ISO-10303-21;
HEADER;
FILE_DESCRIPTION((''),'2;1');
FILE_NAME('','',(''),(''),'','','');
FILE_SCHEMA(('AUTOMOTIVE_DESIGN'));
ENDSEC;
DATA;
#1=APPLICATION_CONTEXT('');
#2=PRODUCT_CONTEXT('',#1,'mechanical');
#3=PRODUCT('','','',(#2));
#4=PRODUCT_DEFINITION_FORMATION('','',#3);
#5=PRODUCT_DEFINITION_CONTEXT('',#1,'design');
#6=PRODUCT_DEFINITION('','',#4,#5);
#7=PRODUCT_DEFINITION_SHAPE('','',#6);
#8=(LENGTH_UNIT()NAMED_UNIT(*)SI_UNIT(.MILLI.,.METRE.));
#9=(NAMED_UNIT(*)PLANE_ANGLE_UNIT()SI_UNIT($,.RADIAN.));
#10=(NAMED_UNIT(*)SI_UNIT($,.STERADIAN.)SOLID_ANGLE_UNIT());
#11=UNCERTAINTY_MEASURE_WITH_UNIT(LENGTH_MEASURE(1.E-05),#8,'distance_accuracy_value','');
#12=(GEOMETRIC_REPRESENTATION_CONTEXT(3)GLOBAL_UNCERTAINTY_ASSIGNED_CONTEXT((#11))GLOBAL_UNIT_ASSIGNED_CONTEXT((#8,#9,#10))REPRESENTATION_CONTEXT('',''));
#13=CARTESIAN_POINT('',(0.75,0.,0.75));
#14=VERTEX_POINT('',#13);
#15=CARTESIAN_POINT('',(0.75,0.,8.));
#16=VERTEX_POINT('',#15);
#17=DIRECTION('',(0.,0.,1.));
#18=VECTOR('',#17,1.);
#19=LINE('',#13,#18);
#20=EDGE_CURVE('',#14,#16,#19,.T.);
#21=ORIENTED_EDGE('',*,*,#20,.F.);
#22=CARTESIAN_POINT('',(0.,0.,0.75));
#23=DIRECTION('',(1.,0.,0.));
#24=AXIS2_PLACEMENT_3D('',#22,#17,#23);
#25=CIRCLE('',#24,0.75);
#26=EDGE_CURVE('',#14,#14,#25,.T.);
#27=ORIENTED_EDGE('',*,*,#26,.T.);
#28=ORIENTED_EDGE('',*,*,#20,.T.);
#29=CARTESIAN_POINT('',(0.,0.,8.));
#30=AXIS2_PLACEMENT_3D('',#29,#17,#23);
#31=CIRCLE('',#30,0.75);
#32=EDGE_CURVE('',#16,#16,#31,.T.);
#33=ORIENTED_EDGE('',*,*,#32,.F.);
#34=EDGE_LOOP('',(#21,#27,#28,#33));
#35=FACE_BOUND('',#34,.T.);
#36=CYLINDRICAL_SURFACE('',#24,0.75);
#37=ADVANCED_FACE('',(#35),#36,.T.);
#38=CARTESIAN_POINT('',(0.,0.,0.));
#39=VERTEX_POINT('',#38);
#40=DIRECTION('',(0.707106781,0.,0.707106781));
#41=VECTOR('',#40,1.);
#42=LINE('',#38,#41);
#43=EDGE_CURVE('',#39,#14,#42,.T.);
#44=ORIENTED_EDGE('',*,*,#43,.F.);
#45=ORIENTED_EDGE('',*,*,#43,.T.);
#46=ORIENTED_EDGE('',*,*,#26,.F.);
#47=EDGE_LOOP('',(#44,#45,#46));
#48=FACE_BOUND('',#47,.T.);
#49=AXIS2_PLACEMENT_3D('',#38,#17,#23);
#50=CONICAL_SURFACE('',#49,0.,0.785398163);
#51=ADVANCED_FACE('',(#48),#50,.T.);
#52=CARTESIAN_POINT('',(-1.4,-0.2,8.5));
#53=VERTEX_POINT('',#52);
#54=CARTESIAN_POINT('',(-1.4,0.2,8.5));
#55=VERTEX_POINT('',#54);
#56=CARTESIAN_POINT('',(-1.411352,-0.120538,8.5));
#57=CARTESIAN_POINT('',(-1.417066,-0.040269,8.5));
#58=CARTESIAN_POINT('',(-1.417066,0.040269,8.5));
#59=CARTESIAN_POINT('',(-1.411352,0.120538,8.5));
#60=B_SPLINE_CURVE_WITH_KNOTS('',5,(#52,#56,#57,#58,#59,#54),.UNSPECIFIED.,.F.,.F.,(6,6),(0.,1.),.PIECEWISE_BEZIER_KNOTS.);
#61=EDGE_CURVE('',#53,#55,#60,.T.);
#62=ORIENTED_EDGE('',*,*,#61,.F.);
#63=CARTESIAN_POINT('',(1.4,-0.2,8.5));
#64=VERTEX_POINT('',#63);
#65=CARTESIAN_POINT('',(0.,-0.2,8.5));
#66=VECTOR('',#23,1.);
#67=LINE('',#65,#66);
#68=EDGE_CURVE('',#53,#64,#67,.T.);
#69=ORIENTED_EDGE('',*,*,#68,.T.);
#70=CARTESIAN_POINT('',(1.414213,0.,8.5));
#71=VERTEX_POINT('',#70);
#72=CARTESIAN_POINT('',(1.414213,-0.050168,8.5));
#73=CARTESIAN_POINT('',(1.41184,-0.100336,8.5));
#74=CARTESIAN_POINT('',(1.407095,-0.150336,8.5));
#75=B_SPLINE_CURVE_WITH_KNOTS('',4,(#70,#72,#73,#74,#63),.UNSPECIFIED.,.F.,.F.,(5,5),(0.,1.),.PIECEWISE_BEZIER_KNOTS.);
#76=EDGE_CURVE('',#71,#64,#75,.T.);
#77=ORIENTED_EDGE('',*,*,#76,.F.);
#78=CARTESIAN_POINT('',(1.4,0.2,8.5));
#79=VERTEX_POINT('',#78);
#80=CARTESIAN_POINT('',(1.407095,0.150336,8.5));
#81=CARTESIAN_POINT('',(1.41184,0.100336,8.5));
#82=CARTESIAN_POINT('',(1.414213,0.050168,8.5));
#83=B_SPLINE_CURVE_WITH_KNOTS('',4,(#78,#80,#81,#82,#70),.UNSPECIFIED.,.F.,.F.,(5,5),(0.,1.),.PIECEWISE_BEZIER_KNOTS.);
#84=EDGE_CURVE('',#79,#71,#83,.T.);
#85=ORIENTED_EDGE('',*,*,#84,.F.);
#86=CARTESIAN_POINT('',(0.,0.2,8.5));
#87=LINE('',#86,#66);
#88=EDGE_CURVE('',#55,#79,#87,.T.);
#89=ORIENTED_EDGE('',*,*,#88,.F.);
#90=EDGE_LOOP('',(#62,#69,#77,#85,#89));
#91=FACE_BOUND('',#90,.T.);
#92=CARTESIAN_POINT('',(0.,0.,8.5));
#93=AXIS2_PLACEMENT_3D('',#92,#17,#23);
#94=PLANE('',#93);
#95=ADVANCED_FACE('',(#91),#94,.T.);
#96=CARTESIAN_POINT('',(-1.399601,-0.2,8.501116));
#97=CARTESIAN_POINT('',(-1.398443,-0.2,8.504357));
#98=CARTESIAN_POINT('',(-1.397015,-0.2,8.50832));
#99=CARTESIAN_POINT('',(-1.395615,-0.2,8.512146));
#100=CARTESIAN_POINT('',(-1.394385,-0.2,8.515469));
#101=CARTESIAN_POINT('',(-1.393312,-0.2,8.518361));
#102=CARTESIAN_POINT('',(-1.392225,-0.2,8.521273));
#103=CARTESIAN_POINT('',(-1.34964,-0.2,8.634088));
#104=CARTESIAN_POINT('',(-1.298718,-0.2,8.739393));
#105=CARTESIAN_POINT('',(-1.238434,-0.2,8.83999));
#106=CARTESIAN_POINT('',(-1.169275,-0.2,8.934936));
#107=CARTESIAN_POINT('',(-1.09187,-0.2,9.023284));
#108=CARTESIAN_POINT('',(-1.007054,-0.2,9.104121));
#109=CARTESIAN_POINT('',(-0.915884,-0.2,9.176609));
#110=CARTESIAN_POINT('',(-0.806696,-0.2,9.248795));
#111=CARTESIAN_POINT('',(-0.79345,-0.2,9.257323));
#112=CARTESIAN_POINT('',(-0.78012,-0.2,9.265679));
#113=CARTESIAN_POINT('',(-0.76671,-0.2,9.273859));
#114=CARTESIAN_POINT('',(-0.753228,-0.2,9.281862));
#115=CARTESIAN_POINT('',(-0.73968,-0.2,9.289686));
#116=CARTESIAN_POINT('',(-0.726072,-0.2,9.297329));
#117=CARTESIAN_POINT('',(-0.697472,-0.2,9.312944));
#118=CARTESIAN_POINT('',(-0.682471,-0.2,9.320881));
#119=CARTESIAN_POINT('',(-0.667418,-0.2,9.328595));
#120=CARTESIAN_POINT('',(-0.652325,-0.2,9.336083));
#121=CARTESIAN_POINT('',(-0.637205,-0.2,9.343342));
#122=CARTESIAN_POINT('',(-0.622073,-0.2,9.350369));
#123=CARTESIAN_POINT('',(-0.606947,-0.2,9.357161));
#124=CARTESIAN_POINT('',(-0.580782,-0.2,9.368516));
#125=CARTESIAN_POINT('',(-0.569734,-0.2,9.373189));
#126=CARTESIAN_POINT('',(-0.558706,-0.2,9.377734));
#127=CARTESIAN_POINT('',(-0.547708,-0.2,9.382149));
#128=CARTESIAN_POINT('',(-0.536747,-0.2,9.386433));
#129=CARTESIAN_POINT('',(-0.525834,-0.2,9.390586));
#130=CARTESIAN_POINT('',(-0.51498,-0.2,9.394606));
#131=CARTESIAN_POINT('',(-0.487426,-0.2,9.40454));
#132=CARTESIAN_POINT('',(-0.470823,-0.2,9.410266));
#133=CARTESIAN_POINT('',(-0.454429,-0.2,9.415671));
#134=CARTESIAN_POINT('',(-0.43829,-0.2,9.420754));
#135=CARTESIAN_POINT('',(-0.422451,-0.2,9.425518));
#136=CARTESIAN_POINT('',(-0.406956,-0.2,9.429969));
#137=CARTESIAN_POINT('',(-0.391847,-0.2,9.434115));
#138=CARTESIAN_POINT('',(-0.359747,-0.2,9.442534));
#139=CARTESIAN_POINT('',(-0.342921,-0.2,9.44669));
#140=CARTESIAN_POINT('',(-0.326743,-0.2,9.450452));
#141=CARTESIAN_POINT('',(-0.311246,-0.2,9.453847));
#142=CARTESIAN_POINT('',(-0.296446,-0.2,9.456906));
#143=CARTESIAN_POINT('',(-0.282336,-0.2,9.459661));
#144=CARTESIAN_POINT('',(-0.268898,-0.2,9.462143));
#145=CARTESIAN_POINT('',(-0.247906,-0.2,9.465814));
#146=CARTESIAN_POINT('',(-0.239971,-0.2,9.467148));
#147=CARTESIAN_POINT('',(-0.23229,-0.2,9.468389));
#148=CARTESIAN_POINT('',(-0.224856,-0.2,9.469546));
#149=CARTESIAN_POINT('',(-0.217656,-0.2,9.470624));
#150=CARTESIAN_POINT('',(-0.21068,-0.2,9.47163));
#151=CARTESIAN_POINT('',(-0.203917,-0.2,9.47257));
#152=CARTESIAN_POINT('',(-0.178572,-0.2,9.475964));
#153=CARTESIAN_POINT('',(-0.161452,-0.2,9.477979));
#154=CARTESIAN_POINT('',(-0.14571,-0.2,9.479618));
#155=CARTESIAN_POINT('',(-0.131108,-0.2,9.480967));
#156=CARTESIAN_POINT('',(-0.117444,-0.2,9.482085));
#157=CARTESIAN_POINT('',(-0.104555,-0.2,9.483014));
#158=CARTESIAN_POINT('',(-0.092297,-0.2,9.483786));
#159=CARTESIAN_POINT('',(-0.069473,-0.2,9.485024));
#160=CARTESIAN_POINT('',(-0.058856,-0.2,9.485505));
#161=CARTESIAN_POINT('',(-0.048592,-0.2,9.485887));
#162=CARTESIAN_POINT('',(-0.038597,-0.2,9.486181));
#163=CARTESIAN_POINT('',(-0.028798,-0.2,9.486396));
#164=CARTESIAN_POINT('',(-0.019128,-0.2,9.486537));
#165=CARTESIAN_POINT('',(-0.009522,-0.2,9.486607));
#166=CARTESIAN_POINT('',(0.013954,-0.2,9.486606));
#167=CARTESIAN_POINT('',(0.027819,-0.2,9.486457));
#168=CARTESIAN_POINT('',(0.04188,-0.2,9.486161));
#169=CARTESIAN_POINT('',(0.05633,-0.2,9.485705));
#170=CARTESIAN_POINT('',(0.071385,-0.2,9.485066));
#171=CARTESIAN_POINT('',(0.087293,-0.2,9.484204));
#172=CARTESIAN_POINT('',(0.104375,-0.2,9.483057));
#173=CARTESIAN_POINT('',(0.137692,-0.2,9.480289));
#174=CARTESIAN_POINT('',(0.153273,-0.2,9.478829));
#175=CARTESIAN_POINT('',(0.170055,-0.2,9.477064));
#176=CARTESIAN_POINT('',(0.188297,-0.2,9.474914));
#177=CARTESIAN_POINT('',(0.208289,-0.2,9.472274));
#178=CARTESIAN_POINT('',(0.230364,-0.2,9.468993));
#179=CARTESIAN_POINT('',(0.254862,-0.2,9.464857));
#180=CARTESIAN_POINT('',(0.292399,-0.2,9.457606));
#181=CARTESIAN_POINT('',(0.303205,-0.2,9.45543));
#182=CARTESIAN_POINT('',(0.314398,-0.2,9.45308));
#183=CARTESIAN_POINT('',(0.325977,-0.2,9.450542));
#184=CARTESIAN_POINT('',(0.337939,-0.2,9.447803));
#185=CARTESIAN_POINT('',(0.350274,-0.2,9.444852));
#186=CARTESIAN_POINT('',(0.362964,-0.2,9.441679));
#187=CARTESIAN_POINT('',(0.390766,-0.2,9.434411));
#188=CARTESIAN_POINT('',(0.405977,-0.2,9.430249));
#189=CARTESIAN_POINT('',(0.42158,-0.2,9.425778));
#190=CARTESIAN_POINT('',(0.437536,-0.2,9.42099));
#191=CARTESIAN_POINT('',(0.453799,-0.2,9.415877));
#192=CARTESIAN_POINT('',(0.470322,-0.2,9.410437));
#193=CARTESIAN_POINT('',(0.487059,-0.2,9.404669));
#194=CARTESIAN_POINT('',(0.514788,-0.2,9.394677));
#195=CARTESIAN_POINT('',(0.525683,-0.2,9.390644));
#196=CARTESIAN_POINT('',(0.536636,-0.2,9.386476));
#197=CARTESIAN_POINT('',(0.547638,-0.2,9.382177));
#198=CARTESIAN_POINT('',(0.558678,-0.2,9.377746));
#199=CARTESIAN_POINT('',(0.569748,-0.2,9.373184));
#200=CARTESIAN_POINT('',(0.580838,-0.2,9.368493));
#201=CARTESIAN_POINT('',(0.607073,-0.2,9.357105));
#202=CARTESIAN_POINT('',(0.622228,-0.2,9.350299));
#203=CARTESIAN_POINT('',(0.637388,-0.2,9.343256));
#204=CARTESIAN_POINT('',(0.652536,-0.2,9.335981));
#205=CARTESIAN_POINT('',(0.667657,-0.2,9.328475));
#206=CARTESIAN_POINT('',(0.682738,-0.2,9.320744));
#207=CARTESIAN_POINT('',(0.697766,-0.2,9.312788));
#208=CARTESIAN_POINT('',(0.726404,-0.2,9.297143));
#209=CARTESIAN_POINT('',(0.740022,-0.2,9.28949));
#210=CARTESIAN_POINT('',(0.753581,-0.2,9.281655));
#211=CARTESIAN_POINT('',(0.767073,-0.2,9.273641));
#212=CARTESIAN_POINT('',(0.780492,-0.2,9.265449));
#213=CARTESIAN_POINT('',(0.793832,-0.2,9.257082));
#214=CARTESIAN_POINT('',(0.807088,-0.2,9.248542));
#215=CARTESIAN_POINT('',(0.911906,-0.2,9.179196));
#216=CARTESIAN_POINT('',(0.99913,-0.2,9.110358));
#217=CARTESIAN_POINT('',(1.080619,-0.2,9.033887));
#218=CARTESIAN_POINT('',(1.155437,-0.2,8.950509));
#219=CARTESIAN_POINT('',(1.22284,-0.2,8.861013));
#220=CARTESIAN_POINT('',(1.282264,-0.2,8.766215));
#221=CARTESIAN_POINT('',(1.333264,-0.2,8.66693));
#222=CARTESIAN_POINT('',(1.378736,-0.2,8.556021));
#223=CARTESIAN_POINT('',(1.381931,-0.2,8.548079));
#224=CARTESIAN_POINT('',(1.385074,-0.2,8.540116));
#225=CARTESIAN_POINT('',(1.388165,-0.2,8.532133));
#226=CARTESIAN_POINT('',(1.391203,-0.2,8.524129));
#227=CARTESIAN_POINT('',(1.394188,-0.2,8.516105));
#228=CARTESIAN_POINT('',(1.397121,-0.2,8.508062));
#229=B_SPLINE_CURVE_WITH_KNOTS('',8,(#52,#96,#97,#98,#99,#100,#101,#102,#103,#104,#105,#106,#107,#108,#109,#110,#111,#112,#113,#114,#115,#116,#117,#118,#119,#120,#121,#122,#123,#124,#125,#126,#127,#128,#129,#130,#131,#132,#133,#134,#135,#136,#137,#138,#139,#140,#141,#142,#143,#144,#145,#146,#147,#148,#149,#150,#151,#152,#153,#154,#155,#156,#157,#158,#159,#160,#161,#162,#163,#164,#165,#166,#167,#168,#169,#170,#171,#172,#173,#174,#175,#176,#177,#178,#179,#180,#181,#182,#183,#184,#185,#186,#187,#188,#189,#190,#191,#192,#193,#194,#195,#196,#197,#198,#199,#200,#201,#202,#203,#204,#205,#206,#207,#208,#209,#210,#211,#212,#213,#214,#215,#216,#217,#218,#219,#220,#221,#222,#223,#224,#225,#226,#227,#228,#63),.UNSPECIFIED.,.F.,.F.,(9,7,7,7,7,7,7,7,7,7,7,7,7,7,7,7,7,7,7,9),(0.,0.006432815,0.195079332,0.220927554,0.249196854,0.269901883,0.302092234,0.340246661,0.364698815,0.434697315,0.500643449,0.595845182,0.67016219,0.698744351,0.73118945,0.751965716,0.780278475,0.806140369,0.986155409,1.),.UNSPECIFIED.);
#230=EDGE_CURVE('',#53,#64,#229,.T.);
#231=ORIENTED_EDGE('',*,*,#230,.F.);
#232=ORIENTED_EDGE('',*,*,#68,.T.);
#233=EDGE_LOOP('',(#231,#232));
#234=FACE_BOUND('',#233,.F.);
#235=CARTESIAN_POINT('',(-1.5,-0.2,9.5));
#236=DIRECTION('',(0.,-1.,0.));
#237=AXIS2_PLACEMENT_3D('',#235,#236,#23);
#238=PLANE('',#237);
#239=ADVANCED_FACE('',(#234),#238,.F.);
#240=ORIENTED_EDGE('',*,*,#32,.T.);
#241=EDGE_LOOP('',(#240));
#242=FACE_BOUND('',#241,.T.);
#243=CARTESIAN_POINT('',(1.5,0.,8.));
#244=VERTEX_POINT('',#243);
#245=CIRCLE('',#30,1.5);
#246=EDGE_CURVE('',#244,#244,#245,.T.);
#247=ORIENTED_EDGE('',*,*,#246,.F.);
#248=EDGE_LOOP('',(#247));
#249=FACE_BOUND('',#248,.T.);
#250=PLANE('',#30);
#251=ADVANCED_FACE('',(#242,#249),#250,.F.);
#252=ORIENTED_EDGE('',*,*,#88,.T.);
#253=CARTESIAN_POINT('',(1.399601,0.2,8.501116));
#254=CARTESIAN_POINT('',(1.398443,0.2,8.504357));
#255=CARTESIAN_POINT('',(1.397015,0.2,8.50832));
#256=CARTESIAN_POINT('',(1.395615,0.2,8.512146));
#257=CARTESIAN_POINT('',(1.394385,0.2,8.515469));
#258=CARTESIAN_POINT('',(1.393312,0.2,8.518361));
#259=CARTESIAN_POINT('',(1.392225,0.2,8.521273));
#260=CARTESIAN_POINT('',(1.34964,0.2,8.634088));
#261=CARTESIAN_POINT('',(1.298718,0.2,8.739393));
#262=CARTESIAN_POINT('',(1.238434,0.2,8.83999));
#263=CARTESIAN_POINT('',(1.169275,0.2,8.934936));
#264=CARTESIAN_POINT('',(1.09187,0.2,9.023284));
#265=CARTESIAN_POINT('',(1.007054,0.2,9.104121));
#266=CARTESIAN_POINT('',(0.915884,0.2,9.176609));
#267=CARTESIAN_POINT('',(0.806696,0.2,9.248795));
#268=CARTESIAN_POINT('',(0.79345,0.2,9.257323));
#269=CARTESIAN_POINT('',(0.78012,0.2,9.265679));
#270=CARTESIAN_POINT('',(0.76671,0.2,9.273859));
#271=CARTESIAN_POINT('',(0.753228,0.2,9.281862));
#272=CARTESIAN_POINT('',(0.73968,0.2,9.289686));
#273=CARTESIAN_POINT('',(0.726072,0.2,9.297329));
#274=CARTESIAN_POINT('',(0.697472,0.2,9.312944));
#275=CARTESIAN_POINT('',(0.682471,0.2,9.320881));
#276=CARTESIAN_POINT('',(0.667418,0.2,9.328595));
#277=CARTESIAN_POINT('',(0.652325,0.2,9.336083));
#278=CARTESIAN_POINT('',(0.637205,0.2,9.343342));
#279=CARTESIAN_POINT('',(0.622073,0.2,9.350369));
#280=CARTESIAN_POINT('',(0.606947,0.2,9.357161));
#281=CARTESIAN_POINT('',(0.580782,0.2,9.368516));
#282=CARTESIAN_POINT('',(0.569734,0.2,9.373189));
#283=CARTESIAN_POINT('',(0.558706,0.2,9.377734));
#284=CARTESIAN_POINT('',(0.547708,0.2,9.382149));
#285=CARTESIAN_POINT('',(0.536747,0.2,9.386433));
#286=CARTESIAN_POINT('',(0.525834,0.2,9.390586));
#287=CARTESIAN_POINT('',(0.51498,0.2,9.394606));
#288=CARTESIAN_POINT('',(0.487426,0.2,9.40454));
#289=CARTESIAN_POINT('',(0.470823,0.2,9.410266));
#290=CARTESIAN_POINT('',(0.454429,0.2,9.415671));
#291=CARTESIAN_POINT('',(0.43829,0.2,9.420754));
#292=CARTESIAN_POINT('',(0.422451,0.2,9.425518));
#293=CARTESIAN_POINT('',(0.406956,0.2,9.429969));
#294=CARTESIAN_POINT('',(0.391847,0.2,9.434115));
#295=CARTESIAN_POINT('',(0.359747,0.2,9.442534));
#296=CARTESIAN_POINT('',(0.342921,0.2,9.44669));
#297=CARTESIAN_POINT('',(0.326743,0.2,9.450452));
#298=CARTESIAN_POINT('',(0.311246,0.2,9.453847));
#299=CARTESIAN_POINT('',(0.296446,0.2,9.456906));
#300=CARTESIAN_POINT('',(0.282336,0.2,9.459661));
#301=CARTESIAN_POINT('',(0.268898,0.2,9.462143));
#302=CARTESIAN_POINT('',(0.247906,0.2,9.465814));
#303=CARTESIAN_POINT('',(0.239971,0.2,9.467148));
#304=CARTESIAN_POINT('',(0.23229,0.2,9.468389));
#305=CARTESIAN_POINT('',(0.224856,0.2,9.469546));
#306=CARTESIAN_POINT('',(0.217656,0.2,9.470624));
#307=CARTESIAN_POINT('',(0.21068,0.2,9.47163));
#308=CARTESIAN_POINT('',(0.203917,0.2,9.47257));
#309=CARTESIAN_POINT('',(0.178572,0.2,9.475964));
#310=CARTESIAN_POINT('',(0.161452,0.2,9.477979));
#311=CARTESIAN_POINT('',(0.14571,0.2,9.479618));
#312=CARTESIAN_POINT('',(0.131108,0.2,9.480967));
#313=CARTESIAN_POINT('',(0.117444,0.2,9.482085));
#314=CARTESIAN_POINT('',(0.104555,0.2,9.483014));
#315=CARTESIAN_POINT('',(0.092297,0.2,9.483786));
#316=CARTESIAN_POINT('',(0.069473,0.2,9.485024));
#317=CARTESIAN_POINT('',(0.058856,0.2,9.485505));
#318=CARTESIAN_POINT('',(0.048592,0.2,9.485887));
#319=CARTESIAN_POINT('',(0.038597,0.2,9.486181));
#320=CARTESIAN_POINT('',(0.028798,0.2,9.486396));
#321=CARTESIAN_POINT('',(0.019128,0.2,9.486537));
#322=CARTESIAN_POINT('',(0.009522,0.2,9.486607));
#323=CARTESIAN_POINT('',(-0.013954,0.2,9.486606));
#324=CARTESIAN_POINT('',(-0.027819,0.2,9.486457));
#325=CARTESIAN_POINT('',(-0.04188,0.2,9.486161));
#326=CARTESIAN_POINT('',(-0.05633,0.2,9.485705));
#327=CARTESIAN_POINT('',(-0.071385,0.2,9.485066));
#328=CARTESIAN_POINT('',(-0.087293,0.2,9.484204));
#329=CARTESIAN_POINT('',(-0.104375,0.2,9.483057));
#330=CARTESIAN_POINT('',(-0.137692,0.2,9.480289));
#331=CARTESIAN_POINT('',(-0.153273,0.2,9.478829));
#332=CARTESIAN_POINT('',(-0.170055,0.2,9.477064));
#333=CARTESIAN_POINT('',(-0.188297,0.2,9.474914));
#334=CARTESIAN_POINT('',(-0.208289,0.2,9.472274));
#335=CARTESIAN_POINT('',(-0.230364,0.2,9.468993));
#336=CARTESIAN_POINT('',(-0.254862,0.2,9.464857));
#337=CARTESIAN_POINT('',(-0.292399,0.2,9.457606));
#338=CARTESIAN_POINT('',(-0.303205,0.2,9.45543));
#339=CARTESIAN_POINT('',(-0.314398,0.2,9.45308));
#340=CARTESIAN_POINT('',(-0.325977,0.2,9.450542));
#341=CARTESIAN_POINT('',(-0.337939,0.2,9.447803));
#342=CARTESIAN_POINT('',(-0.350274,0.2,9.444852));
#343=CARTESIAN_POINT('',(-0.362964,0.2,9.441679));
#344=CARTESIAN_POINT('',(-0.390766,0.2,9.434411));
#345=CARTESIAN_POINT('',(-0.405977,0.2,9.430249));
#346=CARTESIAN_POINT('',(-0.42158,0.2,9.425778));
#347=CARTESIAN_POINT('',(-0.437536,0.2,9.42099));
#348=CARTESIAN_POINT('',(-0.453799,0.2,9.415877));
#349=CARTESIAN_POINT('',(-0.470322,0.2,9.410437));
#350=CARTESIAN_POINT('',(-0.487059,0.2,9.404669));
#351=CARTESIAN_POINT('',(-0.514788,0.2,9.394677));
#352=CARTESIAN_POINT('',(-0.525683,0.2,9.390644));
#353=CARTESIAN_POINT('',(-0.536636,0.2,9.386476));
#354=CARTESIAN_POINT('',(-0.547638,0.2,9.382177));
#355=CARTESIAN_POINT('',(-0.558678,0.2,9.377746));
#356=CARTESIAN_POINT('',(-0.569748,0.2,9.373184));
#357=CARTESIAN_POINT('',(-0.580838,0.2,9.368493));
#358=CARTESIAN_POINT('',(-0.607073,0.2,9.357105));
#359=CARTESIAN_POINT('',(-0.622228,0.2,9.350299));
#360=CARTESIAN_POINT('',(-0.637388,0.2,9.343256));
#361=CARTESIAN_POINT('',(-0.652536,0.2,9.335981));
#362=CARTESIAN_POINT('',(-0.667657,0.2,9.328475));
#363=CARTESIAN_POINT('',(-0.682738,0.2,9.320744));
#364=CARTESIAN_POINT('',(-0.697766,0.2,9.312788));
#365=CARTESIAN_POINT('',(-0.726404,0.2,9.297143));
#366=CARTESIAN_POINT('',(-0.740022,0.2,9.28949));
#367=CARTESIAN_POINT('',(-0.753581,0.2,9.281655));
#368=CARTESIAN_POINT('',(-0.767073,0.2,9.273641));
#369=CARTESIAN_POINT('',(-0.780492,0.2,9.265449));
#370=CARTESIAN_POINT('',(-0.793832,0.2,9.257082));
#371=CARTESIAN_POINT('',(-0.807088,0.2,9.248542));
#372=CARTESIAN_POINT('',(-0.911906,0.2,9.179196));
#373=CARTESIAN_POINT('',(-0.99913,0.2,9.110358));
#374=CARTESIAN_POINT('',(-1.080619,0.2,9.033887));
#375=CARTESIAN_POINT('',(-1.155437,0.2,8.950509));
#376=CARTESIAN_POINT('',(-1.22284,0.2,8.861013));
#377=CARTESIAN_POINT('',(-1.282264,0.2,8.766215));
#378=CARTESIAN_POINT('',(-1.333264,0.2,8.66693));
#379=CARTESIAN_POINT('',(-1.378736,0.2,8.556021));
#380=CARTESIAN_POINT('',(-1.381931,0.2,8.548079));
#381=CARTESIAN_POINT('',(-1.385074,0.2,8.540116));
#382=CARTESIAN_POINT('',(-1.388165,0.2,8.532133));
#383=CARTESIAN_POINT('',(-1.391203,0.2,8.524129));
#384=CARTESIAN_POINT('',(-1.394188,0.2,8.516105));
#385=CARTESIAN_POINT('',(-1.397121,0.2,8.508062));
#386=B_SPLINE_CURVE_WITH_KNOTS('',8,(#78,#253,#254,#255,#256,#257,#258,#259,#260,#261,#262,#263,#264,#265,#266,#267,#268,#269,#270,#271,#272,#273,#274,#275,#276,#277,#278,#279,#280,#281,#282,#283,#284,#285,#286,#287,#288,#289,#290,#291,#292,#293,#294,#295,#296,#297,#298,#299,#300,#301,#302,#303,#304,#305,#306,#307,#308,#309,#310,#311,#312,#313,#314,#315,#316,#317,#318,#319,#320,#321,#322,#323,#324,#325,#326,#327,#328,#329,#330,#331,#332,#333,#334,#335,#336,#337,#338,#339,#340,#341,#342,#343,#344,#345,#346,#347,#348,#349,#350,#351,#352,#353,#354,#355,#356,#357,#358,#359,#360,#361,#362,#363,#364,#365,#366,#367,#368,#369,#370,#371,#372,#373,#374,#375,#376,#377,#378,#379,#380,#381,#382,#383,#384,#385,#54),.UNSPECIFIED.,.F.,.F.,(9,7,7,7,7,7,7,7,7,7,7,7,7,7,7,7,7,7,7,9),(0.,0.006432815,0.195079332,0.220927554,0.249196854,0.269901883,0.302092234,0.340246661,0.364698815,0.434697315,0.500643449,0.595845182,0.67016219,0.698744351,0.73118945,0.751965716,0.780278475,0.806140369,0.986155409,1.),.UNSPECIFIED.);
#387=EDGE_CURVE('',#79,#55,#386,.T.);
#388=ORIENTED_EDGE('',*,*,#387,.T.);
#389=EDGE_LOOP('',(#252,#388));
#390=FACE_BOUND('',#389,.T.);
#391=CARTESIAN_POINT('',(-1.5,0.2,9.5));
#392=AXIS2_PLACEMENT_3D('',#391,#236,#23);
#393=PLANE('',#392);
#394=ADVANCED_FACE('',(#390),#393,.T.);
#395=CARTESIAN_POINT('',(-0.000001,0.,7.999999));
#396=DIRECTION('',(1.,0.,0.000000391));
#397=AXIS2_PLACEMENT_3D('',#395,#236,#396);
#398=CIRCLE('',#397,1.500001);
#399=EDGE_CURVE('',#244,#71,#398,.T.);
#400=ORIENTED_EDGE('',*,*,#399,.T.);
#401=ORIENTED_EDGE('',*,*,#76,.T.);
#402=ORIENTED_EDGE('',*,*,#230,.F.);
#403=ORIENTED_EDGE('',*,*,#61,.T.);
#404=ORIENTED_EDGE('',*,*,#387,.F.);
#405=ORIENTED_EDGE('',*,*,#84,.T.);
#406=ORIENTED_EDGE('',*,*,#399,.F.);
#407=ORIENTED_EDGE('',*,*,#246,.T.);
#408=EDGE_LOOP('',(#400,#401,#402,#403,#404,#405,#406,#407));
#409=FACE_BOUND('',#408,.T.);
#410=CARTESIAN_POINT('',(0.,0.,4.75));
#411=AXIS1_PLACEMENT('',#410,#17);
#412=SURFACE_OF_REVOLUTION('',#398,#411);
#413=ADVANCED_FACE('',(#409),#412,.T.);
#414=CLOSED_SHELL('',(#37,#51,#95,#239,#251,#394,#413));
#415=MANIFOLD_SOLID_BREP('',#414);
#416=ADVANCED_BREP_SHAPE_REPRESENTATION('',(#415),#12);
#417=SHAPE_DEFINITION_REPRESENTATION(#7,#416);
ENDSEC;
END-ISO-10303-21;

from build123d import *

# Parameters (mm, degrees)
F3_W     = 3
F3_H     = 0.4
F4_DEPTH = 1


with BuildPart() as f1:
    # F0 (on Front) → F1 (revolve)
    with BuildSketch(Plane.XZ):
        with BuildLine():
            Line((0, 9.5), (0, 0))
            Line((0, 0), (0.75, 0.75))
            Line((0.75, 0.75), (0.75, 8))
            Line((0.75, 8), (1.5, 8))
            ThreePointArc((1.5, 8), (1.06066, 9.06066), (0, 9.5))
        make_face()
    revolve(axis=Axis((0, 0, 4.75), (0, 0, 1)))

    # F3 (on offset) → F4 (cut)
    with BuildSketch(Plane.XY.offset(9.5)):
        Rectangle(F3_W, F3_H)
    extrude(amount=-F4_DEPTH, mode=Mode.SUBTRACT)


solid = f1.part
